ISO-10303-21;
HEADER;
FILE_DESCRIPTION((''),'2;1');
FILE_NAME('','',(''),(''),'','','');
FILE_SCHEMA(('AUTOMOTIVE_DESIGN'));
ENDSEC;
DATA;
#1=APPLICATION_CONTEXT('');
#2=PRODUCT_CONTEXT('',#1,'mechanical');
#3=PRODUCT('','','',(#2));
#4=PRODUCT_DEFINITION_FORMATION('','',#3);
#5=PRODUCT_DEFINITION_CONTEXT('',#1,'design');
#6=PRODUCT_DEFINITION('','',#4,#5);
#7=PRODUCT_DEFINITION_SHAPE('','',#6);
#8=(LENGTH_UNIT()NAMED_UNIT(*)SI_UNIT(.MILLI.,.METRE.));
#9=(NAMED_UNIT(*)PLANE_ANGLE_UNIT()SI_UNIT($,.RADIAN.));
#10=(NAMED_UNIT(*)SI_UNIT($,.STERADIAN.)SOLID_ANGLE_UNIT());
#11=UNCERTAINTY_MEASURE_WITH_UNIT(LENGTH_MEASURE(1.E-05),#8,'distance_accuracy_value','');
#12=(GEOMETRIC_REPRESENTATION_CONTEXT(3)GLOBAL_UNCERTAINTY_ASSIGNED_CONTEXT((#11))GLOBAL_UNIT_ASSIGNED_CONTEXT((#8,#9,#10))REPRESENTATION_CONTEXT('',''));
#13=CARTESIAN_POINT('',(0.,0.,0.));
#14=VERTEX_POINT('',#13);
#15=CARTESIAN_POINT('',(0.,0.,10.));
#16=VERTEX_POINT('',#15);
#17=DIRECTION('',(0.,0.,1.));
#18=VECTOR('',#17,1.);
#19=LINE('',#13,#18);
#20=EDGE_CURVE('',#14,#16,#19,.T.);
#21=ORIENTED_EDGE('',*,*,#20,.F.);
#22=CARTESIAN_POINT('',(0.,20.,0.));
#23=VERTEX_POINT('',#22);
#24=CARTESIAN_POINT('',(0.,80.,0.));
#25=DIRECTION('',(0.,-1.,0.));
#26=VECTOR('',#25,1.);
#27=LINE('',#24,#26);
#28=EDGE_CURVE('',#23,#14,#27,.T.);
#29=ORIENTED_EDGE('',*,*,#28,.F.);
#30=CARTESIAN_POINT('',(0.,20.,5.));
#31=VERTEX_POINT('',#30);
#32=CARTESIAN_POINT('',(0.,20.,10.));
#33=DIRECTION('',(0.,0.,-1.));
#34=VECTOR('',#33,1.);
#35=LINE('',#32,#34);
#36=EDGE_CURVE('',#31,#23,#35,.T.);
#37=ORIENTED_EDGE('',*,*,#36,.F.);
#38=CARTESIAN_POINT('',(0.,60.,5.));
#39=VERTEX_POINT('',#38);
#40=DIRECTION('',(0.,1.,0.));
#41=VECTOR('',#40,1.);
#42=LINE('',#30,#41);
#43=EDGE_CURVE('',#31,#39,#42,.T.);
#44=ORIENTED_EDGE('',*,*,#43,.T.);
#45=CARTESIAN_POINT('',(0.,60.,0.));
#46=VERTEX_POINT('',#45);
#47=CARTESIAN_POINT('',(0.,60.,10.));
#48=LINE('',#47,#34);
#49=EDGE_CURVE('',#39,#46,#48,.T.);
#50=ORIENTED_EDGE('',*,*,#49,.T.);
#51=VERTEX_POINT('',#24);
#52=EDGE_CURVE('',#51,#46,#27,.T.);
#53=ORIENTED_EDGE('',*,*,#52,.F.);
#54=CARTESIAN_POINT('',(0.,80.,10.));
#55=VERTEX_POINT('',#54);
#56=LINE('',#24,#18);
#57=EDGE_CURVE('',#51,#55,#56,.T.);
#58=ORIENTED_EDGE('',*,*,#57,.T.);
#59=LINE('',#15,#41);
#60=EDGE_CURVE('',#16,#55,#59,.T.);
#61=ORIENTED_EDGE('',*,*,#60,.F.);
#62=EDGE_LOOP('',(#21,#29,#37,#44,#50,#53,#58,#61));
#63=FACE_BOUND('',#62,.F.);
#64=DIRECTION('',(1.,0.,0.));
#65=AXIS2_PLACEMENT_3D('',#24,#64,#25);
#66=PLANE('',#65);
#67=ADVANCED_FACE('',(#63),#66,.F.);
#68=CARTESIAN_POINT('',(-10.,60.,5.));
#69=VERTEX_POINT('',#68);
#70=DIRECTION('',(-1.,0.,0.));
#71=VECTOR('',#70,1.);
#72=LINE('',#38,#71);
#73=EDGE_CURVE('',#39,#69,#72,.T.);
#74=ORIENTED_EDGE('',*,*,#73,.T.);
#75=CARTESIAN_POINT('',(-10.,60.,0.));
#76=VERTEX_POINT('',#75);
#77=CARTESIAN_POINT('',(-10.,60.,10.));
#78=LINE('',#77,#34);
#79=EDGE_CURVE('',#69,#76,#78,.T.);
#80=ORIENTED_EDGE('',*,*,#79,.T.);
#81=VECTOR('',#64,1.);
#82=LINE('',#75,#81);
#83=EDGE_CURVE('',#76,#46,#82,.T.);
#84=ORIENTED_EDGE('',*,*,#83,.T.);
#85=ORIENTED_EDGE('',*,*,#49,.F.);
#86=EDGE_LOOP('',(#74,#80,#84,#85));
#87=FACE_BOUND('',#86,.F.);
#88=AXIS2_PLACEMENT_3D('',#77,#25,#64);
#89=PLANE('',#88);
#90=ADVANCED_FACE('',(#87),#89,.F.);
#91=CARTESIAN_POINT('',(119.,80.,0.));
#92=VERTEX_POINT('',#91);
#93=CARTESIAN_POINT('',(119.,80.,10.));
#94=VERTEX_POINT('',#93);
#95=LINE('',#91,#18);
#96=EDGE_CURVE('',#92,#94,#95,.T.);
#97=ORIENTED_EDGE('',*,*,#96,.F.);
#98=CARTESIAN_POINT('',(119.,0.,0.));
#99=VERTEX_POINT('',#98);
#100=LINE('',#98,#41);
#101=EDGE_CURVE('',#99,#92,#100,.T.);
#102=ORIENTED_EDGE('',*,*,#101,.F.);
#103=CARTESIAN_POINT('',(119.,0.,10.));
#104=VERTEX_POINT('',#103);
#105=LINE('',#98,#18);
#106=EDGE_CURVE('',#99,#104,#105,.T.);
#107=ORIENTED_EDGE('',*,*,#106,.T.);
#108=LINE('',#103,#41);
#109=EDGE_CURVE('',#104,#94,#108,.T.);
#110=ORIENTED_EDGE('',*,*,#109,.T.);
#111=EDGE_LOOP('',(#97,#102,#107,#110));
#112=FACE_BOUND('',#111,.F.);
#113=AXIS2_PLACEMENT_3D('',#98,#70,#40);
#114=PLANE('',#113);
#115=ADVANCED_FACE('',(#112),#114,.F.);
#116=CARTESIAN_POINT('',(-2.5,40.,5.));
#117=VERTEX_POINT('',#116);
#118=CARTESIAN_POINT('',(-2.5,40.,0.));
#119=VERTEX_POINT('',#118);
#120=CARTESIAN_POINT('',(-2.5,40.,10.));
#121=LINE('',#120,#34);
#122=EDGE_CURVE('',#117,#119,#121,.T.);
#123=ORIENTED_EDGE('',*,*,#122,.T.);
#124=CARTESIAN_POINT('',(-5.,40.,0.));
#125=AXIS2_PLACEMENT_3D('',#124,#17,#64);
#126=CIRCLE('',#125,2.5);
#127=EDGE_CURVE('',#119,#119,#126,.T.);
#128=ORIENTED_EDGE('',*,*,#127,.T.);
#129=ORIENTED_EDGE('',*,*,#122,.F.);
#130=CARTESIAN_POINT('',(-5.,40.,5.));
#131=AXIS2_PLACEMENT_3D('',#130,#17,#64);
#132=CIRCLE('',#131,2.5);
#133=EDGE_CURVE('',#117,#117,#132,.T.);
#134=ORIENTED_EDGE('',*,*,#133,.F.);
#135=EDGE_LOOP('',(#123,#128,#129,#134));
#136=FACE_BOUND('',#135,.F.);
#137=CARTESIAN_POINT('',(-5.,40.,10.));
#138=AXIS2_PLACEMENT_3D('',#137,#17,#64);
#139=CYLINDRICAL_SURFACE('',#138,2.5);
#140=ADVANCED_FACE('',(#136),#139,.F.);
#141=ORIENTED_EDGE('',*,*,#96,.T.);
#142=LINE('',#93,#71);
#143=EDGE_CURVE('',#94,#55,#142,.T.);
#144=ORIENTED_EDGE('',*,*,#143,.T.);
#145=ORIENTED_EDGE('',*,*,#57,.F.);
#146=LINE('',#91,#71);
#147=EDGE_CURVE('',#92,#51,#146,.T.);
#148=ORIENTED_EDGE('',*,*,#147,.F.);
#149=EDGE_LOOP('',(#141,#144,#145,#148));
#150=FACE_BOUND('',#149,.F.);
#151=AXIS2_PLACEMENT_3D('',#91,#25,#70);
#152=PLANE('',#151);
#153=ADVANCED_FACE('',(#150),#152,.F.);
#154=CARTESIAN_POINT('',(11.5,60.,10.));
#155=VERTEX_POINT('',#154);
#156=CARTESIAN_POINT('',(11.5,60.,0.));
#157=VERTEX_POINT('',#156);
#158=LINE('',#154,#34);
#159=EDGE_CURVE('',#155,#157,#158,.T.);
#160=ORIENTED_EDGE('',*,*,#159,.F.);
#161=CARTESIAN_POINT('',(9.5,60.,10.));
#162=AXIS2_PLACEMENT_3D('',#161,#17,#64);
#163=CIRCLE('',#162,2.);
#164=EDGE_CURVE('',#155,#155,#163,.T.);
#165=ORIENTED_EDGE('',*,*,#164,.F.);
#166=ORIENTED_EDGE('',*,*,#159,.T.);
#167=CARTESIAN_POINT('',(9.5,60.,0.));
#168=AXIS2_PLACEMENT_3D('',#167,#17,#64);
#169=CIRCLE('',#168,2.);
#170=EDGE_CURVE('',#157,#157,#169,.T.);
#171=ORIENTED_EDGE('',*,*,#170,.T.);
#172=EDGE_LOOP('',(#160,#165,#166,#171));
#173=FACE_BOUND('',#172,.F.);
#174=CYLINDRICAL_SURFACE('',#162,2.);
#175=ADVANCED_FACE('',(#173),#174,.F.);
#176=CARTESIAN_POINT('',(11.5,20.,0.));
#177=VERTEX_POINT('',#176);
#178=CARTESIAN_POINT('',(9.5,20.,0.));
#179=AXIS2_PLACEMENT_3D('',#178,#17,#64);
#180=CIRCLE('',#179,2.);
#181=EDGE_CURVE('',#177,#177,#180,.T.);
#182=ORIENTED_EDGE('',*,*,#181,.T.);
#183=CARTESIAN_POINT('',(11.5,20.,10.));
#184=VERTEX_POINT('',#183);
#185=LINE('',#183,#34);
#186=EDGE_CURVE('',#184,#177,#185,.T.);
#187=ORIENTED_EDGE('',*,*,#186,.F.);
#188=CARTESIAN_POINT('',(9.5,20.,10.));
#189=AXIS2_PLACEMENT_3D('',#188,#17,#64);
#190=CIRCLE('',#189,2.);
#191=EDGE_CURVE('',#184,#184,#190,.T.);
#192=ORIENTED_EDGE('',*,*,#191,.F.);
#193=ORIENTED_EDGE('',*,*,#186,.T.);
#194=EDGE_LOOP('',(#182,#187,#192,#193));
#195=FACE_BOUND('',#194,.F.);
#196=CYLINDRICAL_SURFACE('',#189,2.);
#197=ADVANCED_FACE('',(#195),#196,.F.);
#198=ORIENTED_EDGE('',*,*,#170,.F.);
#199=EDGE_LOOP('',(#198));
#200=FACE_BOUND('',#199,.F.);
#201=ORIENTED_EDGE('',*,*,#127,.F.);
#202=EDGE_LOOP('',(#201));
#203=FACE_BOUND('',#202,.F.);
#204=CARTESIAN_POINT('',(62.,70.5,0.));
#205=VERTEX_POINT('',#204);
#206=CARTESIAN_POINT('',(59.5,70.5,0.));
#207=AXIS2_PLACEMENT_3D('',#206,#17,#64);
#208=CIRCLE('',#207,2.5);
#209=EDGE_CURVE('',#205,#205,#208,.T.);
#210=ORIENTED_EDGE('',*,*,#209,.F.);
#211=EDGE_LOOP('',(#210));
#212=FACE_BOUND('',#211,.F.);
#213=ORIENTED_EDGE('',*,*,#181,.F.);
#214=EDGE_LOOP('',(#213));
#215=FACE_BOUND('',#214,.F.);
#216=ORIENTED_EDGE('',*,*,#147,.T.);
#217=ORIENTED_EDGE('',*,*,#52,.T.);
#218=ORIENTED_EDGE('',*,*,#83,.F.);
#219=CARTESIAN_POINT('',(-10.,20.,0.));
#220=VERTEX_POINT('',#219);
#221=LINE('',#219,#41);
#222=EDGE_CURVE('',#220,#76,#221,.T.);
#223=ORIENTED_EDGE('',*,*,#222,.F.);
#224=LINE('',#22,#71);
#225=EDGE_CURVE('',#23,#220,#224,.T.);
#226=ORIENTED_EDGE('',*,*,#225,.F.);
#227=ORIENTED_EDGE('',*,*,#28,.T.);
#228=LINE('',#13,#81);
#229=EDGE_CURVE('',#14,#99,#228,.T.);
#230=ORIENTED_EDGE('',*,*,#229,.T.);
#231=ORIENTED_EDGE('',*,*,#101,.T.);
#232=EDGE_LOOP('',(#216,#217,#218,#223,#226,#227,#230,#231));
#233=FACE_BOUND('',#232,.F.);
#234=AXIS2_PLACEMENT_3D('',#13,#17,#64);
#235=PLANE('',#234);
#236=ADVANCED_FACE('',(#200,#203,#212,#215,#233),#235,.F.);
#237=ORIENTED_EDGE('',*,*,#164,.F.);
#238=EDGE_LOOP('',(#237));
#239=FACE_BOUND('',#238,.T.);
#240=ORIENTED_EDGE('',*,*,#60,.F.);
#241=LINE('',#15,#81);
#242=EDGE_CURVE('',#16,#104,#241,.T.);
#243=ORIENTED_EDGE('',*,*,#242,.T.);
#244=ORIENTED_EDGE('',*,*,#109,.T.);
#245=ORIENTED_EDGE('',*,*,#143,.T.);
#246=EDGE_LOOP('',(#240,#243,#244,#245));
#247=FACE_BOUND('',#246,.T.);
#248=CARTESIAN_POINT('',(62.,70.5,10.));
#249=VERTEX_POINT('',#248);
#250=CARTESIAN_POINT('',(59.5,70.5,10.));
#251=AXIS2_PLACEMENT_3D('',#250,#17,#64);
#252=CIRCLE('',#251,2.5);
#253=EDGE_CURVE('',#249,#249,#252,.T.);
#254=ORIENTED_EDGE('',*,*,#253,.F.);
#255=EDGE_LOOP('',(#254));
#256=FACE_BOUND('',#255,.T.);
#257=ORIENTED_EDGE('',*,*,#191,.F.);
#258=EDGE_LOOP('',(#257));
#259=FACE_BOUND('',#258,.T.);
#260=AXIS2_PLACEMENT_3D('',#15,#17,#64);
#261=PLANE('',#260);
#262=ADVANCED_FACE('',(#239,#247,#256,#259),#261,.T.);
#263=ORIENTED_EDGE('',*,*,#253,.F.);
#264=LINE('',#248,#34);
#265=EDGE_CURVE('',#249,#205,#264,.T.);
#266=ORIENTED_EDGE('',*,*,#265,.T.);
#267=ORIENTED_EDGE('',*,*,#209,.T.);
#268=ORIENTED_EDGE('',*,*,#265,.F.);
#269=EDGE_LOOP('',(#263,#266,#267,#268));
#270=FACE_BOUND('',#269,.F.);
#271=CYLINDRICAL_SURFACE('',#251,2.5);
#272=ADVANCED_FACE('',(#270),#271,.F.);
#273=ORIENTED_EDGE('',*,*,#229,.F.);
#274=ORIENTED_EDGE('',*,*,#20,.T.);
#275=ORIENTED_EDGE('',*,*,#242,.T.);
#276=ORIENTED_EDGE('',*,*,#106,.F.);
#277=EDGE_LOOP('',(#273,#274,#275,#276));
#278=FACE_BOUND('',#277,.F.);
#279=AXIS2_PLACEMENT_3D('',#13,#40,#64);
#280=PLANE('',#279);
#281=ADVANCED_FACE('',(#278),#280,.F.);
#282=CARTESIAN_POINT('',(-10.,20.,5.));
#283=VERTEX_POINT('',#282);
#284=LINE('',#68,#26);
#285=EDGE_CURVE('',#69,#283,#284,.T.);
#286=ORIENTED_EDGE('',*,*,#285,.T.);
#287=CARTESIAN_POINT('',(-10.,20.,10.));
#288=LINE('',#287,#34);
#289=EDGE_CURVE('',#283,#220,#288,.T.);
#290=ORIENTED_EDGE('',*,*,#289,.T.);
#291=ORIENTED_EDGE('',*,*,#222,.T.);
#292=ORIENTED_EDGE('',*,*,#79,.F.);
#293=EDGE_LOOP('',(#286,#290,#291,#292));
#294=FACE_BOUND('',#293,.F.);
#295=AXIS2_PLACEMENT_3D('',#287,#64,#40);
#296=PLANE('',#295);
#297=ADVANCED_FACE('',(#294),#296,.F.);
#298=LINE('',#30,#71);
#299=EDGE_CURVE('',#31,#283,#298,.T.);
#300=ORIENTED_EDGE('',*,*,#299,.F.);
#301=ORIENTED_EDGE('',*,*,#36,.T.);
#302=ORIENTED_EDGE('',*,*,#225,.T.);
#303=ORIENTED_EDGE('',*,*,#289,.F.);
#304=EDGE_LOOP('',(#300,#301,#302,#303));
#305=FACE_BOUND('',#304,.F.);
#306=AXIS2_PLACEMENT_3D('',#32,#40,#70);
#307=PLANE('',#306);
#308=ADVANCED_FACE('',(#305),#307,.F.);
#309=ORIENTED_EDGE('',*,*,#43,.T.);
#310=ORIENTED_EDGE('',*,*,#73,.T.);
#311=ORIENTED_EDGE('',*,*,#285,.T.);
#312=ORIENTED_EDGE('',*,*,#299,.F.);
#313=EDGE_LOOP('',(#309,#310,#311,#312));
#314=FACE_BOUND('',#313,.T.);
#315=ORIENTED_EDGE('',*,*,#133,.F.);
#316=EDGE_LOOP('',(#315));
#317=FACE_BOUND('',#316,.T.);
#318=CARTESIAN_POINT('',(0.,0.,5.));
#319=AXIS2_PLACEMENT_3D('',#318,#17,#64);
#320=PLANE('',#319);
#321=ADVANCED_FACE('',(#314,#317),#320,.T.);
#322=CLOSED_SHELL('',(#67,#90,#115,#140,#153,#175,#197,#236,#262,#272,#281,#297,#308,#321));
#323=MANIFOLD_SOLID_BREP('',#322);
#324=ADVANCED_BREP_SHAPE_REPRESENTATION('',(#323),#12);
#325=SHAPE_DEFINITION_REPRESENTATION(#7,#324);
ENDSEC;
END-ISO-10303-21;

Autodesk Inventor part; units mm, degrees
ref_plane "YZ Plane" through (0, 0, 0) normal (1, 0, 0) x (0, 1, 0)
ref_plane "XZ Plane" through (0, 0, 0) normal (0, 1, 0) x (-1, 0, 0)
ref_plane "XY Plane" through (0, 0, 0) normal (0, 0, 1) x (1, 0, 0)
sketch "Sketch1" plane through (0, 0, 0) normal (0, 0, 1) x (1, 0, 0)
  line L0 (0, 0) -> (119, 0)
  line L1 (119, 0) -> (119, 80)
  line L2 (119, 80) -> (0, 80)
  line L3 (0, 80) -> (0, 0)
  dimension "d0" = 119
  dimension "d1" = 80
extrude "Extrusion1" add sketch "Sketch1" along normal blind 10
sketch "Sketch2" plane through (0, 0, 10) normal (0, 0, 1) x (1, 0, 0)
  line L0 (-10, 60) -> (0, 60)
  line L1 (0, 60) -> (0, 20)
  line L2 (0, 20) -> (-10, 20)
  line L3 (-10, 20) -> (-10, 60)
  line L4 (0, 80) -> (0, 0) projected
  circle A0 centre (-5, 40) radius 2.5
  point P0 (0, 40)
  point P1 (0, 40)
  point P2 (0, 40)
  point P3 (0, 40)
  point P4 (-5, 60)
  dimension "d4" = 10
  dimension "d5" = 40
  dimension "d6" = 5
extrude "Extrusion2" add sketch "Sketch2" against normal blind 10
sketch "Sketch3" plane through (0, 0, 10) normal (0, 0, 1) x (1, 0, 0)
  circle A0 centre (9.5, 60) radius 2
  line L0 (0, 80) -> (0, 60) projected
  line L1 (119, 80) -> (0, 80) projected
  circle A1 centre (9.5, 20) radius 2
  point P0 (0, 0)
  dimension "d12" = 4
  dimension "d13" = 9.5
  dimension "d14" = 20
  dimension "d15" = 4
  dimension "d16" = 40
extrude "Extrusion3" cut sketch "Sketch3" against normal through all
sketch "Sketch4" plane through (0, 0, 10) normal (0, 0, 1) x (1, 0, 0)
  line L0 (0, 80) -> (0, 60) projected
  line L1 (0, 20) -> (-10, 20) projected
  line L2 (0, 60) -> (-10, 60)
  line L3 (-10, 60) -> (-10, 20)
  line L4 (-10, 20) -> (0, 20)
  line L5 (0, 20) -> (0, 60)
  point P0 (0, 0)
extrude "Extrusion4" cut sketch "Sketch4" against normal blind 5
sketch "Sketch5" plane through (0, 0, 10) normal (0, 0, 1) x (1, 0, 0)
  circle A0 centre (59.5, 70.5) radius 2.5
  line L0 (119, 80) -> (0, 80) projected
  point P0 (0, 0)
  point P1 (59.5, 80)
  dimension "d21" = 5
  dimension "d22" = 9.5
extrude "Extrusion5" cut sketch "Sketch5" against normal through all
properties part number "SP001" material "ABS Plastic"
